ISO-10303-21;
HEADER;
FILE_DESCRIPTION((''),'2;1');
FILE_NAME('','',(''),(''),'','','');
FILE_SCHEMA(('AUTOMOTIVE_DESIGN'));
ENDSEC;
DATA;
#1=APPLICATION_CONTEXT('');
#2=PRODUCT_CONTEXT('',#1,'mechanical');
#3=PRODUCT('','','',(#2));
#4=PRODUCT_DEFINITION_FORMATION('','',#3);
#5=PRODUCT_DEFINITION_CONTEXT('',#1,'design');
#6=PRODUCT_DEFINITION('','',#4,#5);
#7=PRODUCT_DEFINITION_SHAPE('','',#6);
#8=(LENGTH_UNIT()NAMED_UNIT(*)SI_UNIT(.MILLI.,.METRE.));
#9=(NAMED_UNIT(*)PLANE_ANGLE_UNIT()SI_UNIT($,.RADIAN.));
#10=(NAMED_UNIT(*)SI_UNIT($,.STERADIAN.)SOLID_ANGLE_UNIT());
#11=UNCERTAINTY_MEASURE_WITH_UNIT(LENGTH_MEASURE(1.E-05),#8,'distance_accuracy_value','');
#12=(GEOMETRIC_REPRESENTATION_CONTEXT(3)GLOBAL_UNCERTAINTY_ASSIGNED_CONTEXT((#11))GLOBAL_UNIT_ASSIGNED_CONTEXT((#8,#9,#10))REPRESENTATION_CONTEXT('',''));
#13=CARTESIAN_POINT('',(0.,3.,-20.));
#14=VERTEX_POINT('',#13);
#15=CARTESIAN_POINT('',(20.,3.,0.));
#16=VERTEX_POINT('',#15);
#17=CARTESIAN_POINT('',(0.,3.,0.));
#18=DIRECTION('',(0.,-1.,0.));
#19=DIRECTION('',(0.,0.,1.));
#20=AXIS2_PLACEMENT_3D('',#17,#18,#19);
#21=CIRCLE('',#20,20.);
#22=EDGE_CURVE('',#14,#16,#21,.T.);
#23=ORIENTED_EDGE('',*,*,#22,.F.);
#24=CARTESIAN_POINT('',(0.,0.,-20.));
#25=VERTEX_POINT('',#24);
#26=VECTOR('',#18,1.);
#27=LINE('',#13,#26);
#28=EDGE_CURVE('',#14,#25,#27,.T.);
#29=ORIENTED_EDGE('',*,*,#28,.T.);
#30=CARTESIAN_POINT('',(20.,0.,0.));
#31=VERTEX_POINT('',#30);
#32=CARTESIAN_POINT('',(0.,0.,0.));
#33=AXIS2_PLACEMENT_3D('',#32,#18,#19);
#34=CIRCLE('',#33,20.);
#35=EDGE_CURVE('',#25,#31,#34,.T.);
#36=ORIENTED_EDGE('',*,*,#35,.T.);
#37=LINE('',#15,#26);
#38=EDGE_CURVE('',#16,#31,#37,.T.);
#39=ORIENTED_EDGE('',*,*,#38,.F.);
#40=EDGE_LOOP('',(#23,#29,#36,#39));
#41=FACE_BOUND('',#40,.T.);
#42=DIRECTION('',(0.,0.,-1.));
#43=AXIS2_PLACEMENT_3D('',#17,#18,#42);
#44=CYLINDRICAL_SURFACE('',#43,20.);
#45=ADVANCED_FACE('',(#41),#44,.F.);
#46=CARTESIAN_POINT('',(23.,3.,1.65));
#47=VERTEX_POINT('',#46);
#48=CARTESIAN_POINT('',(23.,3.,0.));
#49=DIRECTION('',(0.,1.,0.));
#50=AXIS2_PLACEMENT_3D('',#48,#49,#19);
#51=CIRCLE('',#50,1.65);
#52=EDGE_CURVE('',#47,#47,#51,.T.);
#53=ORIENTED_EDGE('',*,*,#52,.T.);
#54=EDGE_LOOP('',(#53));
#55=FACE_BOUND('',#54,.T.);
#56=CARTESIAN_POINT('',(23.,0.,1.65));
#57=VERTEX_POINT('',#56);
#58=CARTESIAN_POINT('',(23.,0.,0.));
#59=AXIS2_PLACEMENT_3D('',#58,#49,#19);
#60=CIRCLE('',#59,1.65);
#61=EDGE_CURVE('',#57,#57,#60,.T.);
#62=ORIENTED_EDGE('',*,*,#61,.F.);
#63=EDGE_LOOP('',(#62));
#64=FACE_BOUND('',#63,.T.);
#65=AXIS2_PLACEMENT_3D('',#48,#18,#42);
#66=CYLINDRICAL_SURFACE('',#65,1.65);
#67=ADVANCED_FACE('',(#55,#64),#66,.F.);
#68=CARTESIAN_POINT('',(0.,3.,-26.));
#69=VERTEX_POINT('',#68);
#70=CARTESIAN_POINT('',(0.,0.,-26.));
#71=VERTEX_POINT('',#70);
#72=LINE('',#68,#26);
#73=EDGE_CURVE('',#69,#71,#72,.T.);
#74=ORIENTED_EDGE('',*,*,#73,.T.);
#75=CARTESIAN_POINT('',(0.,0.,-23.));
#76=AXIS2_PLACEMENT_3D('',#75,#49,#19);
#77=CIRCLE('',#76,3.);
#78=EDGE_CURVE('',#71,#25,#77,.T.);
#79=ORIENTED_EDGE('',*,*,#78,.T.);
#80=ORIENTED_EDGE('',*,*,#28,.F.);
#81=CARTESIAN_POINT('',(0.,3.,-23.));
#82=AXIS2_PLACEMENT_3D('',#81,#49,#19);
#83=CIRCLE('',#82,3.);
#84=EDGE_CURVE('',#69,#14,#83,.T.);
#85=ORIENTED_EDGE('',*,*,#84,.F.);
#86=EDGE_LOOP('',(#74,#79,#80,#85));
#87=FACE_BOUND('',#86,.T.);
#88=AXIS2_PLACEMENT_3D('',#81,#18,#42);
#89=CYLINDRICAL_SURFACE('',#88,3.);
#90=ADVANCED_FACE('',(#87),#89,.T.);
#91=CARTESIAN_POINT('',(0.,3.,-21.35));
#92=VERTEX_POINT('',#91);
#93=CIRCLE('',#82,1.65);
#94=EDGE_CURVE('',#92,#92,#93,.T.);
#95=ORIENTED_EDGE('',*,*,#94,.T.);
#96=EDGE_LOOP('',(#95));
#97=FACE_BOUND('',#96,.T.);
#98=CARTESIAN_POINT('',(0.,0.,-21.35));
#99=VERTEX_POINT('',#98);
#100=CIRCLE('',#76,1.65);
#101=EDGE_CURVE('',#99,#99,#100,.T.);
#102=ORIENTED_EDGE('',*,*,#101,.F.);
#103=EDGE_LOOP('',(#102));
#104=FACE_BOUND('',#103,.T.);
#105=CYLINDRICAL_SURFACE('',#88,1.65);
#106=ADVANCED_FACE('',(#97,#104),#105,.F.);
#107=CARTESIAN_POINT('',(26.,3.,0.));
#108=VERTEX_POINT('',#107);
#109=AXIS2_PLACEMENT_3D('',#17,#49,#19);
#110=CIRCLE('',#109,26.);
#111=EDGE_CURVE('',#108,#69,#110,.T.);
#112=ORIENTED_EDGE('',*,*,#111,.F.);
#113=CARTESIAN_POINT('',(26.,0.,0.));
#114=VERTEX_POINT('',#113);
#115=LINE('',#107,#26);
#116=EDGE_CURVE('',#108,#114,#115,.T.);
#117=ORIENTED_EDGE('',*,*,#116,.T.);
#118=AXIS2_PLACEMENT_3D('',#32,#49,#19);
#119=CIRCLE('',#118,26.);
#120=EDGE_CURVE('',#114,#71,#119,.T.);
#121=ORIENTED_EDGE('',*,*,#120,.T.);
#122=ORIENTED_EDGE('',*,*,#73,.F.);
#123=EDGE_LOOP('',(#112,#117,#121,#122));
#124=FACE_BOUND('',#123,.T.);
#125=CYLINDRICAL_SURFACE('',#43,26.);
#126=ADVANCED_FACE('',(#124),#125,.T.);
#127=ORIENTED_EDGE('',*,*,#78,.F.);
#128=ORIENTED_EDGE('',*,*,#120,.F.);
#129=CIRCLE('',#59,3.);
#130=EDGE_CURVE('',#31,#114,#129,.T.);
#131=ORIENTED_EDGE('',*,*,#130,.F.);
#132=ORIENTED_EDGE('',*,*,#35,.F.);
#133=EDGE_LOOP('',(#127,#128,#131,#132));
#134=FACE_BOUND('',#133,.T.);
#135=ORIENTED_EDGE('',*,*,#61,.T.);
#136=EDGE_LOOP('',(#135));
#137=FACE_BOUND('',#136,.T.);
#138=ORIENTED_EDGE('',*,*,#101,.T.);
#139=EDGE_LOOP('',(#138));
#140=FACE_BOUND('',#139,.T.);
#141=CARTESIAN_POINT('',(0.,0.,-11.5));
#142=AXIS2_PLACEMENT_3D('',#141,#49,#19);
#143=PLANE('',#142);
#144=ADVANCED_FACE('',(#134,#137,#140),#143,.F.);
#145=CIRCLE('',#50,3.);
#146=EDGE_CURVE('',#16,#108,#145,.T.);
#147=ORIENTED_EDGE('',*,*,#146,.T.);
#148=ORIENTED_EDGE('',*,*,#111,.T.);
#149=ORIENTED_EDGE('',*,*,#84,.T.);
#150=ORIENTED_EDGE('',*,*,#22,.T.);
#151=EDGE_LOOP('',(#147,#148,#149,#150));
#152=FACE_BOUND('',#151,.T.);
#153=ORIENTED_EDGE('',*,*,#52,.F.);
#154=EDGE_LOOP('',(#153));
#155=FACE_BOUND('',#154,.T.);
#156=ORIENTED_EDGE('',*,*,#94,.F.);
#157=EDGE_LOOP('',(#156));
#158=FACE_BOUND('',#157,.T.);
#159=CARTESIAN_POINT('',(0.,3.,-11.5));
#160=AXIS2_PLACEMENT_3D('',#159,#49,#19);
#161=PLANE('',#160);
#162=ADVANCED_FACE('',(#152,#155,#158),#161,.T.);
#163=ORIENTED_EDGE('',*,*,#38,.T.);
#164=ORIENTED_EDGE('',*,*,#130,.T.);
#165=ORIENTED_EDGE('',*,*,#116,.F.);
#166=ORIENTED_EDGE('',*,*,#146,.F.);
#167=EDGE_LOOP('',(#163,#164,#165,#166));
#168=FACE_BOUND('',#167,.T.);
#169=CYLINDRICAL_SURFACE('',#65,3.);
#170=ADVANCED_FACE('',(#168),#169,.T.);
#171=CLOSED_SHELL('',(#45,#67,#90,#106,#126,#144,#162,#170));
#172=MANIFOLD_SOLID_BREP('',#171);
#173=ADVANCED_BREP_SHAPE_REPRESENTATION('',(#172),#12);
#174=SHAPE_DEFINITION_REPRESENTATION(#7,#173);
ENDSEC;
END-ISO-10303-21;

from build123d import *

# Parameters (mm, degrees)
SKETCH_1_R      = 1.65
EXTRUDE_2_DEPTH = 3


with BuildPart() as part:
    # 草图1 → 凸台-拉伸2 (new body)
    with BuildSketch(Plane(origin=(0, 0, 0), x_dir=(1, 0, 0), z_dir=(0, 1, 0))):
        with BuildLine():
            ThreePointArc((20, 0), (14.142135624, 14.142135624), (0, 20))
            ThreePointArc((0, 20), (-3, 23), (0, 26))
            ThreePointArc((0, 26), (18.384776311, 18.384776311), (26, 0))
            ThreePointArc((26, 0), (23, -3), (20, 0))
        make_face()
        with Locations(Location((0, 23, 0), (0, 0, 270))):
            Circle(SKETCH_1_R, mode=Mode.SUBTRACT)
        with Locations(Location((23, 0, 0), (0, 0, 270))):
            Circle(SKETCH_1_R, mode=Mode.SUBTRACT)
    extrude(amount=EXTRUDE_2_DEPTH)


solid = part.part
